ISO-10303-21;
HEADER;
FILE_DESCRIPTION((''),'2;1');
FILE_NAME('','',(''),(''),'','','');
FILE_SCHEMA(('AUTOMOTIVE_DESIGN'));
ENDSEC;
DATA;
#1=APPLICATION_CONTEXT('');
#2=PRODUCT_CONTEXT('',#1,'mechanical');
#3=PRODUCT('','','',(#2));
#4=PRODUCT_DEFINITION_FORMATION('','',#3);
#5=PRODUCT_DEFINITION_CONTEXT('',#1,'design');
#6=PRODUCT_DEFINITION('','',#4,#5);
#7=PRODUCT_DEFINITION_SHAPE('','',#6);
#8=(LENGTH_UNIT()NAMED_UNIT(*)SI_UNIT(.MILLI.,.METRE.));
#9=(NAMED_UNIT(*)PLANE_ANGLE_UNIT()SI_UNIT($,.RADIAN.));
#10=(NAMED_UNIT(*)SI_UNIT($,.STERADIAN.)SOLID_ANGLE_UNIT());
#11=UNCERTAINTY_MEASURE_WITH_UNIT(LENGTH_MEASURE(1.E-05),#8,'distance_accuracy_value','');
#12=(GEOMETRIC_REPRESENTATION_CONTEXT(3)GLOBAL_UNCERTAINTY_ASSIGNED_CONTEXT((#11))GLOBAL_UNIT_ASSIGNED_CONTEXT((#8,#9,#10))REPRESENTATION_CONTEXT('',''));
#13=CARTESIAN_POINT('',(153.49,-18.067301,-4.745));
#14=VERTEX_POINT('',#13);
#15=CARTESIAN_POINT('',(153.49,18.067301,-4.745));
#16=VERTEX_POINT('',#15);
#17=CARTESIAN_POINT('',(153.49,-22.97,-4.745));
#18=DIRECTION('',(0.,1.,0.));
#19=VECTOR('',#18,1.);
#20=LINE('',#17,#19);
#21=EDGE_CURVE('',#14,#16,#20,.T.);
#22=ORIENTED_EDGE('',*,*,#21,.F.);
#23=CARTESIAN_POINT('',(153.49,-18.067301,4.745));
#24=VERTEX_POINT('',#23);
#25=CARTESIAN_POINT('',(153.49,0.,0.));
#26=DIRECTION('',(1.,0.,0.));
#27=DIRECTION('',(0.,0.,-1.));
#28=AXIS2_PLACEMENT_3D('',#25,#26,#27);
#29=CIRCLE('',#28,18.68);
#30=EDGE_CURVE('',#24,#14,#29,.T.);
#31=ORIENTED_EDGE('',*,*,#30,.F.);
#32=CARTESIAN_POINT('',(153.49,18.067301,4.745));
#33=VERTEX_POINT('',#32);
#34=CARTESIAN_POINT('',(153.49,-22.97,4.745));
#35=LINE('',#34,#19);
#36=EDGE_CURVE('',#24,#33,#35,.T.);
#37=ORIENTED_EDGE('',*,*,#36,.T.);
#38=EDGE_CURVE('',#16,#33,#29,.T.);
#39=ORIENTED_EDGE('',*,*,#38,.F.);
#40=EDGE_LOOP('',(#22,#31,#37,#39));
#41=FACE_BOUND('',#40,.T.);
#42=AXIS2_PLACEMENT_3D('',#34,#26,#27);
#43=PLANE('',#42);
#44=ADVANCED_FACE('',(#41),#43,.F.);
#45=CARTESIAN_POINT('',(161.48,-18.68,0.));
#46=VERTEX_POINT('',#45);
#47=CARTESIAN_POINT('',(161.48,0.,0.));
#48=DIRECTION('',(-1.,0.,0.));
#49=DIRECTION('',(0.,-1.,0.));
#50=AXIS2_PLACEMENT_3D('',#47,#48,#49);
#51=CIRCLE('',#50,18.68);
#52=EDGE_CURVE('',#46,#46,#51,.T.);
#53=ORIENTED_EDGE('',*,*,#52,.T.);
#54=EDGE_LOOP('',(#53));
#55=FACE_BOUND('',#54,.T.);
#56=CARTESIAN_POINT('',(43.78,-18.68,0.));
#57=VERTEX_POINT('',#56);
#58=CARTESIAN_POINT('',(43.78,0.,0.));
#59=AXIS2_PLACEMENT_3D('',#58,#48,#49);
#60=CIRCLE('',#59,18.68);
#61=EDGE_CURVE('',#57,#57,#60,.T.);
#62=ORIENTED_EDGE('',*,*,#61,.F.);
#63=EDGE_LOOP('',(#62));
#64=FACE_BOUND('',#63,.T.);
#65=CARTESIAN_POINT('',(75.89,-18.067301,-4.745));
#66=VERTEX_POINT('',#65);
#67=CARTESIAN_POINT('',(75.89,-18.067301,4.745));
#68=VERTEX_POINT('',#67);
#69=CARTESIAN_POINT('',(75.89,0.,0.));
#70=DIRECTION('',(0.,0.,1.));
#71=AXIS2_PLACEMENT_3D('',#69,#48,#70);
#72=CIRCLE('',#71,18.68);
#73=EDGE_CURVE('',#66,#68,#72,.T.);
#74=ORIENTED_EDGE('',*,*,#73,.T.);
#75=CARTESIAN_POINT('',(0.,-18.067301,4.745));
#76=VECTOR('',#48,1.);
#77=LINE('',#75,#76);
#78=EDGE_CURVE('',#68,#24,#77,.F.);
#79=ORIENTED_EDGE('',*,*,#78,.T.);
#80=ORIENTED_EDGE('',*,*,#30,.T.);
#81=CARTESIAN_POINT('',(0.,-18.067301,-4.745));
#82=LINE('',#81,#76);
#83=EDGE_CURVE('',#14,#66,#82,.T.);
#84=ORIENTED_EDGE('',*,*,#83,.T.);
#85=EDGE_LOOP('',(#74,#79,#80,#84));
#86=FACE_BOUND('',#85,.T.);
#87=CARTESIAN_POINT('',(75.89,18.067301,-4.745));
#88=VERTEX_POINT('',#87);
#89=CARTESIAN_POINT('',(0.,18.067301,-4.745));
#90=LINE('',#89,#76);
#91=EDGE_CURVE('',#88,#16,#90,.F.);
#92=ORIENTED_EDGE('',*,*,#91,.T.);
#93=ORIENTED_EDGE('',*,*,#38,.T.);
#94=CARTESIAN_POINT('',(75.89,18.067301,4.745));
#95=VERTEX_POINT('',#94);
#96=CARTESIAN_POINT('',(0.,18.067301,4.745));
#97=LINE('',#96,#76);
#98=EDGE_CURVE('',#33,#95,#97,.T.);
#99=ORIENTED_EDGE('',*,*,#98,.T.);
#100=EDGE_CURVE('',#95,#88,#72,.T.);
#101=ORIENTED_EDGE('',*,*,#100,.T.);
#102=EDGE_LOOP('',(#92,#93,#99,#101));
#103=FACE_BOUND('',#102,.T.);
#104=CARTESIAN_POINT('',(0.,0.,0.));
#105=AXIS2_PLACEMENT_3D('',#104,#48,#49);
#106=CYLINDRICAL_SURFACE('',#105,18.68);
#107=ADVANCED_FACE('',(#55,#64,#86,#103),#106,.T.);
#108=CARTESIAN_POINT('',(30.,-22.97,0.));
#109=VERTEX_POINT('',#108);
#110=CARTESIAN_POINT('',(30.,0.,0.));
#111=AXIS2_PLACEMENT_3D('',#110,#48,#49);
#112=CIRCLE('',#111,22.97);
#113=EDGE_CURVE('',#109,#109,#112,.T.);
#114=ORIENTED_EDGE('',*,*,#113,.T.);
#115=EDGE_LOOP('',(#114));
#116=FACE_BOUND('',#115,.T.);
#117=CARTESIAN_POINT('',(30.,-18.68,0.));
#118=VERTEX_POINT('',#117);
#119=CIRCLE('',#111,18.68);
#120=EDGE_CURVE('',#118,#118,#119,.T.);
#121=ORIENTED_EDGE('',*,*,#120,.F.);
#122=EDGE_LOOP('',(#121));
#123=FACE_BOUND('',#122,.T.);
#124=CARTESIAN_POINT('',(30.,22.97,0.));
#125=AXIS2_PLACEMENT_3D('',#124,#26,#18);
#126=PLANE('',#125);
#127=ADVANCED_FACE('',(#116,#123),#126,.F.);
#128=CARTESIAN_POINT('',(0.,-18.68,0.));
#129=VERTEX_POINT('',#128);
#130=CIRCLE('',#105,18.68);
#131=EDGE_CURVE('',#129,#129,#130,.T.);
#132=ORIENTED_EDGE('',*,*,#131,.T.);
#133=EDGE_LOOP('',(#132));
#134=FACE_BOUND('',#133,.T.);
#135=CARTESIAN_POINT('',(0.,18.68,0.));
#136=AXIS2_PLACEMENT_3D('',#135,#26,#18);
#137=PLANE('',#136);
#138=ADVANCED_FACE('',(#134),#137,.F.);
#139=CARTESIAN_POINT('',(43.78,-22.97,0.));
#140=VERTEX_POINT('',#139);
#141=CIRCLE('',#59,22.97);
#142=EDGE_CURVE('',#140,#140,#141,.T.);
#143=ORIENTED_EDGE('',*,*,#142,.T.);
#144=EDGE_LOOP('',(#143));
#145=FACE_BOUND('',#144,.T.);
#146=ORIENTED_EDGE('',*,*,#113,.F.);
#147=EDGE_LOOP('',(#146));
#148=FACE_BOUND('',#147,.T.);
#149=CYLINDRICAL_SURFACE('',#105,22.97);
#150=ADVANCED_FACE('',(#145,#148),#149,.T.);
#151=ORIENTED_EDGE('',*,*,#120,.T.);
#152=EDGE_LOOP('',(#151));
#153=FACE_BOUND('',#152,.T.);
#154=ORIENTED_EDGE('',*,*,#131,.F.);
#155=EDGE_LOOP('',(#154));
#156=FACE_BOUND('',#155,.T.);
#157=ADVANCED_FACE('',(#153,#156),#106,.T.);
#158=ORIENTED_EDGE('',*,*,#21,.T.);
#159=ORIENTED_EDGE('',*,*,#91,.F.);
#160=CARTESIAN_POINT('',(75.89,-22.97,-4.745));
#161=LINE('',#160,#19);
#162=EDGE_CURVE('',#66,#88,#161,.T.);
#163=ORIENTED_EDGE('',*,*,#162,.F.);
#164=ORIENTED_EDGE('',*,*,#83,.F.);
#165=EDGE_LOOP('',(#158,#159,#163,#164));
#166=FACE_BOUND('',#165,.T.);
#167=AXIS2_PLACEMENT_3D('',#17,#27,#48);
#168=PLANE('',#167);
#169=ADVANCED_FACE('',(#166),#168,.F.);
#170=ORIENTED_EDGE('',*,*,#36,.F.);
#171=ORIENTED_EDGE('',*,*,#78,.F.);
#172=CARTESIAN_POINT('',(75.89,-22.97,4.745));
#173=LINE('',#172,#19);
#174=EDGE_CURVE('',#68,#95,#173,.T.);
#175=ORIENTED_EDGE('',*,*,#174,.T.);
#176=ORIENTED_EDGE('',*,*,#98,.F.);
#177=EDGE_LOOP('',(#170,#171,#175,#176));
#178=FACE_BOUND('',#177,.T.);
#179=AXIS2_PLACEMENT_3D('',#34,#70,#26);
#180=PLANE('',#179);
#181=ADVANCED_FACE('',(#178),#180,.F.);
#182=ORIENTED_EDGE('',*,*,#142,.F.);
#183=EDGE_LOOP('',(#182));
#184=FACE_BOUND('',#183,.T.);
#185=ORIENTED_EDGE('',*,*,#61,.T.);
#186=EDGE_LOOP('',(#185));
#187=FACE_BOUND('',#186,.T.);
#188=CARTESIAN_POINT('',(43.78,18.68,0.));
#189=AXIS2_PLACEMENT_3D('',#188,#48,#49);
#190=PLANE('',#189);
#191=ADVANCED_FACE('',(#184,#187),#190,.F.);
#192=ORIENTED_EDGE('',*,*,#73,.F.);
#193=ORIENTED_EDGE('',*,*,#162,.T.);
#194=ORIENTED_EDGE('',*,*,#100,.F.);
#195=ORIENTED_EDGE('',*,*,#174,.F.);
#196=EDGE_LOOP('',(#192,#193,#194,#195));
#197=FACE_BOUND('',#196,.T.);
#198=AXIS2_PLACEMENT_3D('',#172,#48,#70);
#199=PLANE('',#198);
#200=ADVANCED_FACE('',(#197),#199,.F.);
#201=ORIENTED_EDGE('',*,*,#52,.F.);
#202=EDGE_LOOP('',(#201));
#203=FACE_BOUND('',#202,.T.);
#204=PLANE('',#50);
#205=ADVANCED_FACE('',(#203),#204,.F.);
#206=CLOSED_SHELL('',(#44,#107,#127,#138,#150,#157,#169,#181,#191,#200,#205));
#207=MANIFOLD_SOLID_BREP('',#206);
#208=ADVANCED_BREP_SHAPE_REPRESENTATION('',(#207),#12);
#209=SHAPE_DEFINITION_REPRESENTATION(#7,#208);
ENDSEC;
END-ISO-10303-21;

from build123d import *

# Parameters (mm, degrees)
CUT_EXTRUDE2_DEPTH      = 165.71500296
CUT_EXTRUDE2_DEPTH_BACK = 165.71500296
SKETCH3_W               = 77.6
SKETCH3_H               = 9.49


with BuildPart() as part:
    # Sketch1 → Revolve1 (revolve)
    with BuildSketch(Plane.XY, mode=Mode.PRIVATE) as revolve1_sk:
        Polygon((161.48, 0), (161.48, 18.68), (43.78, 18.68), (43.78, 22.97), (30, 22.97), (30, 18.68), (0, 18.68), (0, 0), align=None)
    revolve(revolve1_sk.sketch.rotate(Axis((0, 0, 0), (1, 0, 0)), 180), axis=Axis((0, 0, 0), (1, 0, 0)))

    # Sketch3 → Cut-Extrude2 (cut, two sides: drawn at the far end of the back side and taken through both)
    with BuildSketch(Plane(origin=(0, 0, 0), x_dir=(1, 0, 0), z_dir=(0, 1, 0)).offset(-CUT_EXTRUDE2_DEPTH_BACK)):
        with Locations((114.69, 0)):
            Rectangle(SKETCH3_W, SKETCH3_H)
    extrude(amount=CUT_EXTRUDE2_DEPTH + CUT_EXTRUDE2_DEPTH_BACK, mode=Mode.SUBTRACT)


solid = part.part
